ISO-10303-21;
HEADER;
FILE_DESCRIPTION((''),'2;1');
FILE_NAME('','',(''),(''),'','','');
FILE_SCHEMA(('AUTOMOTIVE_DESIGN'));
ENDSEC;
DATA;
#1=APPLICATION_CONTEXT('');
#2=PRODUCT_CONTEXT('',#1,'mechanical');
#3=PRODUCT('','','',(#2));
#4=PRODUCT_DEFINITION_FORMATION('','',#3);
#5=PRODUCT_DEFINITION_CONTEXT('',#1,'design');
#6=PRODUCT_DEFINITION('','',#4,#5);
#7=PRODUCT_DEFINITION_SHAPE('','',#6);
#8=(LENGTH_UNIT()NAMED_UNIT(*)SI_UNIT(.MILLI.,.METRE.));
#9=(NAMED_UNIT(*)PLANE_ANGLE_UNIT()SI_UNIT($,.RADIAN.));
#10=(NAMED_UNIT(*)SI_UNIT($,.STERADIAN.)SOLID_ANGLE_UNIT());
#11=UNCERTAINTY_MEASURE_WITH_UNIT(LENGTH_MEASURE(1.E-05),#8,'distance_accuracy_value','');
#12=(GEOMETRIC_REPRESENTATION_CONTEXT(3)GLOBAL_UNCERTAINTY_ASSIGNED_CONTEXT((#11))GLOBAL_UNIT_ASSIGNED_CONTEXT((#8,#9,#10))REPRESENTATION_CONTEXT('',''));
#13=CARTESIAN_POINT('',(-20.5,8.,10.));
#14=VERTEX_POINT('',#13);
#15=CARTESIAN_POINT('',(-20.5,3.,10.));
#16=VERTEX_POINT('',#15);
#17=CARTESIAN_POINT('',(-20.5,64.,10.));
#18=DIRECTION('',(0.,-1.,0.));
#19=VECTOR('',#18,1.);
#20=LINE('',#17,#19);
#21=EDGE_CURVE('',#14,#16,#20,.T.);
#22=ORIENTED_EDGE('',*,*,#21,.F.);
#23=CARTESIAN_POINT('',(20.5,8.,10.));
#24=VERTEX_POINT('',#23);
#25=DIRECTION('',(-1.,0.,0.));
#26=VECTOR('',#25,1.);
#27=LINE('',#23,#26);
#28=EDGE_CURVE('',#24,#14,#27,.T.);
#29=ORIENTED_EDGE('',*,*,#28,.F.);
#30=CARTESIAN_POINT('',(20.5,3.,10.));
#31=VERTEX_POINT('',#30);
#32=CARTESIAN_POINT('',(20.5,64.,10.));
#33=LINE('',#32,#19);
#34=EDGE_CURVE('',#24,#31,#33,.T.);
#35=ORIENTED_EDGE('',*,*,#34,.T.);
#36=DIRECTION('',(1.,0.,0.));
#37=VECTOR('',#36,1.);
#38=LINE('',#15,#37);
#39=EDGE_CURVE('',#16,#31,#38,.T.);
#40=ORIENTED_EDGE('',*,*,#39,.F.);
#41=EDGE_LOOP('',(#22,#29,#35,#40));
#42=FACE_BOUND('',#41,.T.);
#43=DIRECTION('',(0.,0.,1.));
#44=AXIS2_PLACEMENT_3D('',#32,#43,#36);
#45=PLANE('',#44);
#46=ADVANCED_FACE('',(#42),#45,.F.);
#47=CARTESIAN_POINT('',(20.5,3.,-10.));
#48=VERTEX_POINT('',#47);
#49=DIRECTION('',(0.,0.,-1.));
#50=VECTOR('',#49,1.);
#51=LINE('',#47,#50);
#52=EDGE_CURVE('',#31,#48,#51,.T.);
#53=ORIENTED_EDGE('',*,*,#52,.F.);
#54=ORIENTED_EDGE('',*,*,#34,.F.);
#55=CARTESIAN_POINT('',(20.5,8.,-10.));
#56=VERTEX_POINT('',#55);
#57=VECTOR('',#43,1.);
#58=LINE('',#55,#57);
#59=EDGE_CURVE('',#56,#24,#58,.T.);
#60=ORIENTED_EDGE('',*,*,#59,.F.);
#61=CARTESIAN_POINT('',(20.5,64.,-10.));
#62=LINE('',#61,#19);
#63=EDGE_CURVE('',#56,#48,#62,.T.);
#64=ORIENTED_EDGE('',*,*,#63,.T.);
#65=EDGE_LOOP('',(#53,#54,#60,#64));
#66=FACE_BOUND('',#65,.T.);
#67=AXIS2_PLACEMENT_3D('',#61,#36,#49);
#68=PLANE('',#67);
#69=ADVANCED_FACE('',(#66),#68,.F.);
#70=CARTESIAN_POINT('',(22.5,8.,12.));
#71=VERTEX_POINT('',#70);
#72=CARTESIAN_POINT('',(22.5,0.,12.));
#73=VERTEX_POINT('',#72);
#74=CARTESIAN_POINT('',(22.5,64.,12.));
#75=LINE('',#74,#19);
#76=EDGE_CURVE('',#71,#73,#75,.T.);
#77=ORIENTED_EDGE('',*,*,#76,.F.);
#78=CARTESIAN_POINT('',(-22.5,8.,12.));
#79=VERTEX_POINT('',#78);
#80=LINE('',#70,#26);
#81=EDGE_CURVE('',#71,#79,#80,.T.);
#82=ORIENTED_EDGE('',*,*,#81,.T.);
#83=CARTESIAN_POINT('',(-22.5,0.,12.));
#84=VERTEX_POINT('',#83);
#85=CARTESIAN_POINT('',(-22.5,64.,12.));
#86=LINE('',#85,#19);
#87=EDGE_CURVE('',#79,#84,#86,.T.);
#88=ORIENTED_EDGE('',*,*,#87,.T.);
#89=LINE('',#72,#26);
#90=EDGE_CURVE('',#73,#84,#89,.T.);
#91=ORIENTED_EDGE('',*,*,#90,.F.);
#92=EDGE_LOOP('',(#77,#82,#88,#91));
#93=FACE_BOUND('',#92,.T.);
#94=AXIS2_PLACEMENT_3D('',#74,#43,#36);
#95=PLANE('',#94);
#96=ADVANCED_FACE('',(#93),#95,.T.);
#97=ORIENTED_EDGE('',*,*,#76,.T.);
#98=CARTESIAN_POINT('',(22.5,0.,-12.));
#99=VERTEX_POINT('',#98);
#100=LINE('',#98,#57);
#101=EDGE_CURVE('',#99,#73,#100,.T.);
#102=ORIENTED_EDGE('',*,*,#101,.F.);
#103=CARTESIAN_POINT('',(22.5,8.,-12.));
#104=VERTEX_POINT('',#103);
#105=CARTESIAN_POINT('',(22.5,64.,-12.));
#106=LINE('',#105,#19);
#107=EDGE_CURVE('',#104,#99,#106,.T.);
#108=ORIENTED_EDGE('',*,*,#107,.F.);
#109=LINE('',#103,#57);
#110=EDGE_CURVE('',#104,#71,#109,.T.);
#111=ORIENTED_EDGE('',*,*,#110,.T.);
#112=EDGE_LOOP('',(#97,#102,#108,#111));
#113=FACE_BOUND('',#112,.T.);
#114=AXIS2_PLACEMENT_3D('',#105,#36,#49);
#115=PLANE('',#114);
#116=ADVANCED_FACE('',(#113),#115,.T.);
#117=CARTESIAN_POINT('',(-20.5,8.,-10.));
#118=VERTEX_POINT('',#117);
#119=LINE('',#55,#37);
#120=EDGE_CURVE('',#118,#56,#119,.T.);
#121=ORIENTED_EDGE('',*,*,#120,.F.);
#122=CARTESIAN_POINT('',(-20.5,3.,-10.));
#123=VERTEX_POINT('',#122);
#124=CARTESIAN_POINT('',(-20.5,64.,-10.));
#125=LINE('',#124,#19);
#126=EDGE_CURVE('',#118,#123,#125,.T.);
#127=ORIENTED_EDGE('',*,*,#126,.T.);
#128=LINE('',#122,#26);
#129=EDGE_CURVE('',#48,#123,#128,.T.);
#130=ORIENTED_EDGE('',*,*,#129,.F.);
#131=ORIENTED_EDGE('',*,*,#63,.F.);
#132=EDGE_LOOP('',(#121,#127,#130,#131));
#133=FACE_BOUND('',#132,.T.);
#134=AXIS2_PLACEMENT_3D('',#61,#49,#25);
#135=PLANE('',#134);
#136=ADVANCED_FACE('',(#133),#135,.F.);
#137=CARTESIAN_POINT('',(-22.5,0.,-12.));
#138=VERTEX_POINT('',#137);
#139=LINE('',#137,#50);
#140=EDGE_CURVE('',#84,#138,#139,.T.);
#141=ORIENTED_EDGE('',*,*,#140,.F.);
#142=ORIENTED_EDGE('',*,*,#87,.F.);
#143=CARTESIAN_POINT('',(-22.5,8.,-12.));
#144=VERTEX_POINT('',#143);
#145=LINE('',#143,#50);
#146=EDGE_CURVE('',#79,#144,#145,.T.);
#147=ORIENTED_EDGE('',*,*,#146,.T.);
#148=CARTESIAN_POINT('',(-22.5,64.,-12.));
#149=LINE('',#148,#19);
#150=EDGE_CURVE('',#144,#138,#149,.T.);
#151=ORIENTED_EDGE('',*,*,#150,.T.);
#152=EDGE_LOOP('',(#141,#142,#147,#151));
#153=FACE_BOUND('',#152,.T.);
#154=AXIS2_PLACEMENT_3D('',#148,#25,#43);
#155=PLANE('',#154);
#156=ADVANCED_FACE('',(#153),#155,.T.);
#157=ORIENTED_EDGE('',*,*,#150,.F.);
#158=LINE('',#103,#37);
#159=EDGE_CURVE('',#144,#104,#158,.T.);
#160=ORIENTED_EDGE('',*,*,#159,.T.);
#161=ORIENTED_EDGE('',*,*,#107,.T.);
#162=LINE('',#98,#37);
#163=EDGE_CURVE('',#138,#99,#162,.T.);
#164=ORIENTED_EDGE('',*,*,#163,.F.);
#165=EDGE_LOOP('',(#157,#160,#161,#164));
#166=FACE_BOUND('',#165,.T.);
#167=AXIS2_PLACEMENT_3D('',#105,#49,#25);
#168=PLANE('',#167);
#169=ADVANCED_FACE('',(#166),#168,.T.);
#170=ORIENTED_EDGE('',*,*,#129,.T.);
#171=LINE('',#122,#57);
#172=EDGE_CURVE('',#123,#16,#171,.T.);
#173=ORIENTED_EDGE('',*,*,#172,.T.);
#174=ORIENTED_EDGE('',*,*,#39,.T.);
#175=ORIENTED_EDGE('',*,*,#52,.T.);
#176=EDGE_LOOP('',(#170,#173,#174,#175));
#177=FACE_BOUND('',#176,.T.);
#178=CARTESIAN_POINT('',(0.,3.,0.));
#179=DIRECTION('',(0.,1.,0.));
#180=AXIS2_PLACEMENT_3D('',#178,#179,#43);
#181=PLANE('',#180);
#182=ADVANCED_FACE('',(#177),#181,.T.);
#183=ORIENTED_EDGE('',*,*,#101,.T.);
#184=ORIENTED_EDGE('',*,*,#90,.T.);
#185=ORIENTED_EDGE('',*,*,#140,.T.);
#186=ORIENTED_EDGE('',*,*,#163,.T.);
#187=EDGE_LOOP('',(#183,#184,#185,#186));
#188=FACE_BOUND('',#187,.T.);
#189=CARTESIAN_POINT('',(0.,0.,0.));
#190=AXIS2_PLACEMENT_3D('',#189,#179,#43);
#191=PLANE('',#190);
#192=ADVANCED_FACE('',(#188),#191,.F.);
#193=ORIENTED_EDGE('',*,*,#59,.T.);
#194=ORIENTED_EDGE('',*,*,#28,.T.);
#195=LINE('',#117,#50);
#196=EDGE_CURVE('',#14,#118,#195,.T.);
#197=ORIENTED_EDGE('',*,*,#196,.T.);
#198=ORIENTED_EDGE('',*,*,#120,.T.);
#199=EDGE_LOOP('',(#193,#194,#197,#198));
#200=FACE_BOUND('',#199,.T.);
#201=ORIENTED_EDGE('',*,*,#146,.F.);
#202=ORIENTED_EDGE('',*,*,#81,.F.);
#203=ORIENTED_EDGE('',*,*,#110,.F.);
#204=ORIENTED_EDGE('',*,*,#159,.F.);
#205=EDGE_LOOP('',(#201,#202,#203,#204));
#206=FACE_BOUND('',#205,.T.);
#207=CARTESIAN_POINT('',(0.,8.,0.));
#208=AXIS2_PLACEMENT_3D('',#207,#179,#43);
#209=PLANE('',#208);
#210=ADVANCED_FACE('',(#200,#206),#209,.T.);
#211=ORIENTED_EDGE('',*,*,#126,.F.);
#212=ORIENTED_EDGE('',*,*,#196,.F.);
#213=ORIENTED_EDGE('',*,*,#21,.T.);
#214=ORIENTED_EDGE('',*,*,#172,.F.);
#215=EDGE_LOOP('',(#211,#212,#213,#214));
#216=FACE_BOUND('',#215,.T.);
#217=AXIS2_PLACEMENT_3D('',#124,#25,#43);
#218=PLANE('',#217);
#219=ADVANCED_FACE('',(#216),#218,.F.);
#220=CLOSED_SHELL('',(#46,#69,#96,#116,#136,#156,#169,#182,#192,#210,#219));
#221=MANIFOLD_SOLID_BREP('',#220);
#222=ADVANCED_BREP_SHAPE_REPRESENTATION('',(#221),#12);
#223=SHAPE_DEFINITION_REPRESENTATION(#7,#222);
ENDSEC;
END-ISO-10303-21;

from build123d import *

# Parameters (mm, degrees)
SKETCH1_W           = 41
SKETCH1_H           = 20
BOSS_EXTRUDE1_DEPTH = 3
SKETCH2_W           = 45
SKETCH2_H           = 24
SKETCH2_W_2         = 41
SKETCH2_H_2         = 20
BOSS_EXTRUDE2_DEPTH = 8


with BuildPart() as part:
    # Sketch1 → Boss-Extrude1 (new body)
    with BuildSketch(Plane(origin=(0, 0, 0), x_dir=(1, 0, 0), z_dir=(0, 1, 0))):
        Rectangle(SKETCH1_W, SKETCH1_H)
    extrude(amount=BOSS_EXTRUDE1_DEPTH)

    # Sketch2 → Boss-Extrude2 (add)
    with BuildSketch(Plane.XZ):
        Rectangle(SKETCH2_W, SKETCH2_H)
        Rectangle(SKETCH2_W_2, SKETCH2_H_2, mode=Mode.SUBTRACT)
    extrude(amount=-BOSS_EXTRUDE2_DEPTH)


solid = part.part
